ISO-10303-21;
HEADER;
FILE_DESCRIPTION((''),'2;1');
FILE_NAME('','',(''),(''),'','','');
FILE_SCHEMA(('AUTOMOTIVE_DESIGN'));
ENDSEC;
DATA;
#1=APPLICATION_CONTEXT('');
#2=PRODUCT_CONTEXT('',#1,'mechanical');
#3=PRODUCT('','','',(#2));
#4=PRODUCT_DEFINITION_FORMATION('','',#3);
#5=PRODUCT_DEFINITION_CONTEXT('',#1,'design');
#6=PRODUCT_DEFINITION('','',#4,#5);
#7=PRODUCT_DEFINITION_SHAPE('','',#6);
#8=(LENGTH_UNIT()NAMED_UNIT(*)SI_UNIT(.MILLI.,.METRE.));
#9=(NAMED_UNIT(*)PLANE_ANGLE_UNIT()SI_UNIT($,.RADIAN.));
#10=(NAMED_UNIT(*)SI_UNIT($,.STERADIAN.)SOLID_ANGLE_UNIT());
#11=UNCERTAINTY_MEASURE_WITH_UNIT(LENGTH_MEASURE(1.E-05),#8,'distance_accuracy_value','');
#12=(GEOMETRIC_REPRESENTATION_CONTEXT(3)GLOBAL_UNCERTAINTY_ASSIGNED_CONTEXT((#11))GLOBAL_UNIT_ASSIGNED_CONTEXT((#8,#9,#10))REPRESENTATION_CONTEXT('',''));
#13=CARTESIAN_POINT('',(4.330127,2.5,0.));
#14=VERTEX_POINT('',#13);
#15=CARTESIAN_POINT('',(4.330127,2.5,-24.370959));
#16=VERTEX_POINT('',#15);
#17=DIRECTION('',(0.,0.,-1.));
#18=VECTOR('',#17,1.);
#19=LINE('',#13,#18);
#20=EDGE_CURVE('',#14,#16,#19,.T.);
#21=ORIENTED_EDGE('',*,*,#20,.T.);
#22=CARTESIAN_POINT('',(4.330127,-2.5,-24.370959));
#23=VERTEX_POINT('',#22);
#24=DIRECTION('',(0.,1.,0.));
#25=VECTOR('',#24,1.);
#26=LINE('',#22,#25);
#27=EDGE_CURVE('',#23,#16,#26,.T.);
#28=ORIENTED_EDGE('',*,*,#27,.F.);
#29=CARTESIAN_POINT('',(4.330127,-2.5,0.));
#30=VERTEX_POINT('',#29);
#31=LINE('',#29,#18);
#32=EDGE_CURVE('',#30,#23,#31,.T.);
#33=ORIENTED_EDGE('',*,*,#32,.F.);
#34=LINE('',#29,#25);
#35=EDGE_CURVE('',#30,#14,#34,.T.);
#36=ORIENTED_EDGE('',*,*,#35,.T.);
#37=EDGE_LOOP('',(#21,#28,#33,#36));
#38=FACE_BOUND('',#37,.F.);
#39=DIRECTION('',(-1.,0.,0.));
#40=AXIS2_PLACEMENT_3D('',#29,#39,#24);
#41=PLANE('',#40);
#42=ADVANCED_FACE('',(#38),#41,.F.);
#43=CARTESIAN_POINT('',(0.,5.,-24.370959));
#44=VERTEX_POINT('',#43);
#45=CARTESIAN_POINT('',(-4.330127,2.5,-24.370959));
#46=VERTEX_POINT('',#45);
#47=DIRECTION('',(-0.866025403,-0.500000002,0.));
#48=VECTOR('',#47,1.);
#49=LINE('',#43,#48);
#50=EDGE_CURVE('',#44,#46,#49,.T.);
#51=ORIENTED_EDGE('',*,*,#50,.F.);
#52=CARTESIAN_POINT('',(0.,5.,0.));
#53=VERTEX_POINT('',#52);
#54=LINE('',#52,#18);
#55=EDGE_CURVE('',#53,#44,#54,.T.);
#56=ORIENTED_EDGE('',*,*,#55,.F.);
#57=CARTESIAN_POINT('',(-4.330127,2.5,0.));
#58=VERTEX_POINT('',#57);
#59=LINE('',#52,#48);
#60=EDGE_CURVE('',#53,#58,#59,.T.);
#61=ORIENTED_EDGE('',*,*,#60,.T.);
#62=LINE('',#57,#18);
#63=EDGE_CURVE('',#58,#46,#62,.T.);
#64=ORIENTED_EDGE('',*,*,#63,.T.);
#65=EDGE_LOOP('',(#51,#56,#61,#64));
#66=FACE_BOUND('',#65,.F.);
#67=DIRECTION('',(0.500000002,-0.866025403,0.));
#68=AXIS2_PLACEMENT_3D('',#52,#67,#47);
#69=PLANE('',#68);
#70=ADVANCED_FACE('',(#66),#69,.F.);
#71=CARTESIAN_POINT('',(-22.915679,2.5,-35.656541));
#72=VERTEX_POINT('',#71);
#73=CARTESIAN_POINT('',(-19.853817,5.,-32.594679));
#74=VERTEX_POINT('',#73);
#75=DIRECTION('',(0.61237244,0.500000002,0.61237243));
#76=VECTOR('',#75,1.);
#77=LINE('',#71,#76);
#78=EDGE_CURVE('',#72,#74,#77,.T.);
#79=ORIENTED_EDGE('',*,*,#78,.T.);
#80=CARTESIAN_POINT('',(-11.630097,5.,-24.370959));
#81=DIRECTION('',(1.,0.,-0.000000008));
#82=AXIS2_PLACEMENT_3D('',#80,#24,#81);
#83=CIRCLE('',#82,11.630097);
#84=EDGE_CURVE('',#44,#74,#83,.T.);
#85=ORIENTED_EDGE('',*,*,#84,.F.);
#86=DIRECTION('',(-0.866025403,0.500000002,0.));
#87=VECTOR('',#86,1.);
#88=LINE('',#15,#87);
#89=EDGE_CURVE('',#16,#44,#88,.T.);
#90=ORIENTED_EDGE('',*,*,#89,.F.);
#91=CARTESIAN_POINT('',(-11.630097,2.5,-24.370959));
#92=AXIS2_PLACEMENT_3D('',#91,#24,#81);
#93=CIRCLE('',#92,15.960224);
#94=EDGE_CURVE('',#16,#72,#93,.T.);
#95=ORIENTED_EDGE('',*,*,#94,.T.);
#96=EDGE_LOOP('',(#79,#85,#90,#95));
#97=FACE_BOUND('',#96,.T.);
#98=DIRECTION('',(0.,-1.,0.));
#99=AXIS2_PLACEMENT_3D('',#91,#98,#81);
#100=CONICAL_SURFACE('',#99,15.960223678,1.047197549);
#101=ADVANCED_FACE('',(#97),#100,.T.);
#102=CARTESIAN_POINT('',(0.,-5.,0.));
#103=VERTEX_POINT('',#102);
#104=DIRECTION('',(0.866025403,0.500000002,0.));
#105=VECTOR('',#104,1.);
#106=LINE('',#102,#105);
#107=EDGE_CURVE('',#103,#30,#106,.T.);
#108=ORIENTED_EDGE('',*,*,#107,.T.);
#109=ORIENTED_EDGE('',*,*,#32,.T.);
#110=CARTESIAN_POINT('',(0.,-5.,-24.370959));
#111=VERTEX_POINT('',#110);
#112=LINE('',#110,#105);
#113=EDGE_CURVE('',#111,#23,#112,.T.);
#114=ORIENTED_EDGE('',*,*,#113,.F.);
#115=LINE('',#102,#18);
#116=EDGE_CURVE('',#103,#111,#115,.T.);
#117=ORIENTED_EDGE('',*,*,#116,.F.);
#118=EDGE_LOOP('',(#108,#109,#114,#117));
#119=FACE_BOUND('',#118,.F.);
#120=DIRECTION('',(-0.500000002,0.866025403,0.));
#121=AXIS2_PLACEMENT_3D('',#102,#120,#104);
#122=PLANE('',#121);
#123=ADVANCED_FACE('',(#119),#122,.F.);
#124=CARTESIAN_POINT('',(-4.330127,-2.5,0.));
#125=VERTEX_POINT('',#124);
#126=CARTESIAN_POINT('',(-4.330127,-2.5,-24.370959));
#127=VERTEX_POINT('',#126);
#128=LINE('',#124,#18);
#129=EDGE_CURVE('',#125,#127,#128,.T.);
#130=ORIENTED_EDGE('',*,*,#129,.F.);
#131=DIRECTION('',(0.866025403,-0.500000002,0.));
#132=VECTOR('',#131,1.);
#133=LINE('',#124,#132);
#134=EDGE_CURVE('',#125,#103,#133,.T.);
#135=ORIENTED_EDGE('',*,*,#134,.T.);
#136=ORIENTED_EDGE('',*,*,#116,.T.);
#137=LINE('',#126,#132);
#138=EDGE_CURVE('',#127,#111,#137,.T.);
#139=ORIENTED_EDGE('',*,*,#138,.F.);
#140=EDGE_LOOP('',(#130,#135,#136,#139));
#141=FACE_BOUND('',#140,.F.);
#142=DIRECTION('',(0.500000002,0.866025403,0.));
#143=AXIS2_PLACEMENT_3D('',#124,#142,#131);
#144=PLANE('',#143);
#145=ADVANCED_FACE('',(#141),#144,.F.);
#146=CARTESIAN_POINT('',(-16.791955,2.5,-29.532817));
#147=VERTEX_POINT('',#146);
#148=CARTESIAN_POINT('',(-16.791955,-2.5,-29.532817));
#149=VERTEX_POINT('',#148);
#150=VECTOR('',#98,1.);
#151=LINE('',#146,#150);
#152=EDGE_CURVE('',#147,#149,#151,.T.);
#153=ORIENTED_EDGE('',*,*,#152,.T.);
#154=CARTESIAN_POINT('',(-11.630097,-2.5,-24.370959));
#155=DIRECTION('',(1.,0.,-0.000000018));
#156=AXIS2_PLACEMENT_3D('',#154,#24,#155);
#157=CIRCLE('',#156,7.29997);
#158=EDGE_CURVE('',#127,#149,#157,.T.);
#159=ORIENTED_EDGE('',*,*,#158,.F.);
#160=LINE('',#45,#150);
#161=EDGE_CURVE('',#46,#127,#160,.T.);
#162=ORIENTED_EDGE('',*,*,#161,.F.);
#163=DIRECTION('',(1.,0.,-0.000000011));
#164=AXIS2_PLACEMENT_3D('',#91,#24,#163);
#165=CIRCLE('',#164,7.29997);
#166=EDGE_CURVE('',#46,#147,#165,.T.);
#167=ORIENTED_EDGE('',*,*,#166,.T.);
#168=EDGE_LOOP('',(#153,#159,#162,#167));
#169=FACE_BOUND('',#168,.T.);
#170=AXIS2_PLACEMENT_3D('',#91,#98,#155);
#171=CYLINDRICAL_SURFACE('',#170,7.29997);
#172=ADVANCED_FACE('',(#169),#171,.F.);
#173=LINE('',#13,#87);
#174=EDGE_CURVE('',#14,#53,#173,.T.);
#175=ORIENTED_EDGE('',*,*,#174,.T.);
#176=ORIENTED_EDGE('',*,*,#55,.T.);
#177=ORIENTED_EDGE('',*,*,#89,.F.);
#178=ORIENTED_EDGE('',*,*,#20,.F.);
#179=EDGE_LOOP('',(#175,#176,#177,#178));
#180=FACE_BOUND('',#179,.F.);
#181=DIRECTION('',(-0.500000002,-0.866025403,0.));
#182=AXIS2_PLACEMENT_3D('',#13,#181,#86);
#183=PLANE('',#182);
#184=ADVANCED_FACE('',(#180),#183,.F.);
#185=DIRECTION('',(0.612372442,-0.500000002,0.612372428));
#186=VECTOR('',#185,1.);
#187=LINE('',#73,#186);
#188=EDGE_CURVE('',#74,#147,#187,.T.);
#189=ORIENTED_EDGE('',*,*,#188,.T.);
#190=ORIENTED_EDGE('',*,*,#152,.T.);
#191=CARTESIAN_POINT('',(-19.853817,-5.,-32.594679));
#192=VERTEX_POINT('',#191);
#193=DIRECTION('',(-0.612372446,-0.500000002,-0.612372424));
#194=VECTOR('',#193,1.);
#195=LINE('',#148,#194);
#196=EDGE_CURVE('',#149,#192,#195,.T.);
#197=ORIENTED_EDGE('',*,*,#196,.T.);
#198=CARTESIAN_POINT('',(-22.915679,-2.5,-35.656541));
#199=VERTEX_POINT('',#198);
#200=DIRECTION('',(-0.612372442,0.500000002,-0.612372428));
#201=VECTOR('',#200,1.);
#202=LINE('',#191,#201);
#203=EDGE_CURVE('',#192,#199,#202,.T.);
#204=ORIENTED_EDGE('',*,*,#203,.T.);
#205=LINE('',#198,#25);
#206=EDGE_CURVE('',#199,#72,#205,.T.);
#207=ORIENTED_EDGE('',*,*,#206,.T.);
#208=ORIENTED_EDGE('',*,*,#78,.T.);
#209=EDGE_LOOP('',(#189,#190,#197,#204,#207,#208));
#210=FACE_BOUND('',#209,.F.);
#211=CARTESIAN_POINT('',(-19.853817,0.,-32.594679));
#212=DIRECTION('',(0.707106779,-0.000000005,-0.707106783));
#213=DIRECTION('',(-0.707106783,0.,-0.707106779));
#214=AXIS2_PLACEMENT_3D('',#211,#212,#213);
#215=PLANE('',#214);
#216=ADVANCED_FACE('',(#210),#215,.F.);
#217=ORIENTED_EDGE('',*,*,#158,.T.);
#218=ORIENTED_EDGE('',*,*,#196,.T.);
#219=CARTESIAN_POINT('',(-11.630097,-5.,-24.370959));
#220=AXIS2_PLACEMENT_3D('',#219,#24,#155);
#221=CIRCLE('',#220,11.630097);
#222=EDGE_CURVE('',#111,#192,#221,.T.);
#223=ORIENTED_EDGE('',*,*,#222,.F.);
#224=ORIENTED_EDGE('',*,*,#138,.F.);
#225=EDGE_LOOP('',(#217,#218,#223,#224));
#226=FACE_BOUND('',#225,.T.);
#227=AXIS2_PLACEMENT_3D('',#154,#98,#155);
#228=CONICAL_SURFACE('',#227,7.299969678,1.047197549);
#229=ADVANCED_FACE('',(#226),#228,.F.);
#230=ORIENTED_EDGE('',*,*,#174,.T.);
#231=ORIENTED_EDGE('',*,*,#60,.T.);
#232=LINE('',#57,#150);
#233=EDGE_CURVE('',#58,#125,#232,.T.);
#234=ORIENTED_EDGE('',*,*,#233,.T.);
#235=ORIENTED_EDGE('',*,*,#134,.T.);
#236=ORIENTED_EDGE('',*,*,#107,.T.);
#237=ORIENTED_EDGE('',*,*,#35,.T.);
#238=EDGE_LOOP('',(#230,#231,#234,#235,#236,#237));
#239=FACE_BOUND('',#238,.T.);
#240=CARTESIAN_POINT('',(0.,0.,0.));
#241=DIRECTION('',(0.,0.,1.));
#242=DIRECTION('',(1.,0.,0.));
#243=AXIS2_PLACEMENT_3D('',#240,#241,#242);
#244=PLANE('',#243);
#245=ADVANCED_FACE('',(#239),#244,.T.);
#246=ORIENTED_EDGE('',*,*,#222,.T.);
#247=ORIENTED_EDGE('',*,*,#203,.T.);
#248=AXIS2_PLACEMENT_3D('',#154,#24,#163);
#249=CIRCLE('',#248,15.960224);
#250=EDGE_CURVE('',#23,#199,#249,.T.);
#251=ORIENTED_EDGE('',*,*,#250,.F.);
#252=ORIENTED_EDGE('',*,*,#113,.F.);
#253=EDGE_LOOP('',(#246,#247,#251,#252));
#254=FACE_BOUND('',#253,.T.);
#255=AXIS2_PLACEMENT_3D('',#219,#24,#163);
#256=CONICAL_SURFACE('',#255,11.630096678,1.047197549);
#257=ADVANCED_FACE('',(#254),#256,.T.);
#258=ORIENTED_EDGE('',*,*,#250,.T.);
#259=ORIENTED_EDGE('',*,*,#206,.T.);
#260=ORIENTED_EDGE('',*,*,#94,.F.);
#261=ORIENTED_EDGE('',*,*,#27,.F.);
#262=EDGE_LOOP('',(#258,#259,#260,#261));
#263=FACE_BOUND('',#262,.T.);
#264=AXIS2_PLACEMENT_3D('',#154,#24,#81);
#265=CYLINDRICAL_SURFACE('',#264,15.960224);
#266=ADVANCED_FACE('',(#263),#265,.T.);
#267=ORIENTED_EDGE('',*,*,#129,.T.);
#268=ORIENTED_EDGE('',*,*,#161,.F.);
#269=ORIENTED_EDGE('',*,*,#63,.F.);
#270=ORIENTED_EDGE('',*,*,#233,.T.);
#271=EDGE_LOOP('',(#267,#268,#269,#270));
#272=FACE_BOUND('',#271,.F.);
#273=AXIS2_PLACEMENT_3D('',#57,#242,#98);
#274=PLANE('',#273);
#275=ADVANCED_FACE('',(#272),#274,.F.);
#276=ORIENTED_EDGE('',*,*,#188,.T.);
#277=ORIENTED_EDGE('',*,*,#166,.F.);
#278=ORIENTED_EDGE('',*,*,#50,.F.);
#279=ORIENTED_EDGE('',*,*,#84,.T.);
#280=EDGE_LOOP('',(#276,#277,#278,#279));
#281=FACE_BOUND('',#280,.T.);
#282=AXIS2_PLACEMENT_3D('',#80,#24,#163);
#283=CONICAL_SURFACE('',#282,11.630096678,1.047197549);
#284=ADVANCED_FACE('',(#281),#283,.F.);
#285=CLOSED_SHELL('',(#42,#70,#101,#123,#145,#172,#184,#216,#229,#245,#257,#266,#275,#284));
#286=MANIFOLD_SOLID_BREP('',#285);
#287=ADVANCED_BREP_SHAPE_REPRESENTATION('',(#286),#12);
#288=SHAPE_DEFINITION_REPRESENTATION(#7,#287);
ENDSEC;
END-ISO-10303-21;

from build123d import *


with BuildPart() as f2:
    # F2: sweep along a path in F0
    with BuildLine(Plane.XZ) as f2_path:
        Line((0, 0), (0, -24.370959))
        ThreePointArc((0, -24.370959), (-7.179451, -35.115767), (-19.853817, -32.594679))
    # F1 (on Top) → F2 (sweep)
    with BuildSketch(Plane.XY):
        Polygon((-4.330127, -2.5), (0, -5), (4.330127, -2.5), (4.330127, 2.5), (0, 5), (-4.330127, 2.5), align=None)
    sweep(path=f2_path.line)


solid = f2.part
